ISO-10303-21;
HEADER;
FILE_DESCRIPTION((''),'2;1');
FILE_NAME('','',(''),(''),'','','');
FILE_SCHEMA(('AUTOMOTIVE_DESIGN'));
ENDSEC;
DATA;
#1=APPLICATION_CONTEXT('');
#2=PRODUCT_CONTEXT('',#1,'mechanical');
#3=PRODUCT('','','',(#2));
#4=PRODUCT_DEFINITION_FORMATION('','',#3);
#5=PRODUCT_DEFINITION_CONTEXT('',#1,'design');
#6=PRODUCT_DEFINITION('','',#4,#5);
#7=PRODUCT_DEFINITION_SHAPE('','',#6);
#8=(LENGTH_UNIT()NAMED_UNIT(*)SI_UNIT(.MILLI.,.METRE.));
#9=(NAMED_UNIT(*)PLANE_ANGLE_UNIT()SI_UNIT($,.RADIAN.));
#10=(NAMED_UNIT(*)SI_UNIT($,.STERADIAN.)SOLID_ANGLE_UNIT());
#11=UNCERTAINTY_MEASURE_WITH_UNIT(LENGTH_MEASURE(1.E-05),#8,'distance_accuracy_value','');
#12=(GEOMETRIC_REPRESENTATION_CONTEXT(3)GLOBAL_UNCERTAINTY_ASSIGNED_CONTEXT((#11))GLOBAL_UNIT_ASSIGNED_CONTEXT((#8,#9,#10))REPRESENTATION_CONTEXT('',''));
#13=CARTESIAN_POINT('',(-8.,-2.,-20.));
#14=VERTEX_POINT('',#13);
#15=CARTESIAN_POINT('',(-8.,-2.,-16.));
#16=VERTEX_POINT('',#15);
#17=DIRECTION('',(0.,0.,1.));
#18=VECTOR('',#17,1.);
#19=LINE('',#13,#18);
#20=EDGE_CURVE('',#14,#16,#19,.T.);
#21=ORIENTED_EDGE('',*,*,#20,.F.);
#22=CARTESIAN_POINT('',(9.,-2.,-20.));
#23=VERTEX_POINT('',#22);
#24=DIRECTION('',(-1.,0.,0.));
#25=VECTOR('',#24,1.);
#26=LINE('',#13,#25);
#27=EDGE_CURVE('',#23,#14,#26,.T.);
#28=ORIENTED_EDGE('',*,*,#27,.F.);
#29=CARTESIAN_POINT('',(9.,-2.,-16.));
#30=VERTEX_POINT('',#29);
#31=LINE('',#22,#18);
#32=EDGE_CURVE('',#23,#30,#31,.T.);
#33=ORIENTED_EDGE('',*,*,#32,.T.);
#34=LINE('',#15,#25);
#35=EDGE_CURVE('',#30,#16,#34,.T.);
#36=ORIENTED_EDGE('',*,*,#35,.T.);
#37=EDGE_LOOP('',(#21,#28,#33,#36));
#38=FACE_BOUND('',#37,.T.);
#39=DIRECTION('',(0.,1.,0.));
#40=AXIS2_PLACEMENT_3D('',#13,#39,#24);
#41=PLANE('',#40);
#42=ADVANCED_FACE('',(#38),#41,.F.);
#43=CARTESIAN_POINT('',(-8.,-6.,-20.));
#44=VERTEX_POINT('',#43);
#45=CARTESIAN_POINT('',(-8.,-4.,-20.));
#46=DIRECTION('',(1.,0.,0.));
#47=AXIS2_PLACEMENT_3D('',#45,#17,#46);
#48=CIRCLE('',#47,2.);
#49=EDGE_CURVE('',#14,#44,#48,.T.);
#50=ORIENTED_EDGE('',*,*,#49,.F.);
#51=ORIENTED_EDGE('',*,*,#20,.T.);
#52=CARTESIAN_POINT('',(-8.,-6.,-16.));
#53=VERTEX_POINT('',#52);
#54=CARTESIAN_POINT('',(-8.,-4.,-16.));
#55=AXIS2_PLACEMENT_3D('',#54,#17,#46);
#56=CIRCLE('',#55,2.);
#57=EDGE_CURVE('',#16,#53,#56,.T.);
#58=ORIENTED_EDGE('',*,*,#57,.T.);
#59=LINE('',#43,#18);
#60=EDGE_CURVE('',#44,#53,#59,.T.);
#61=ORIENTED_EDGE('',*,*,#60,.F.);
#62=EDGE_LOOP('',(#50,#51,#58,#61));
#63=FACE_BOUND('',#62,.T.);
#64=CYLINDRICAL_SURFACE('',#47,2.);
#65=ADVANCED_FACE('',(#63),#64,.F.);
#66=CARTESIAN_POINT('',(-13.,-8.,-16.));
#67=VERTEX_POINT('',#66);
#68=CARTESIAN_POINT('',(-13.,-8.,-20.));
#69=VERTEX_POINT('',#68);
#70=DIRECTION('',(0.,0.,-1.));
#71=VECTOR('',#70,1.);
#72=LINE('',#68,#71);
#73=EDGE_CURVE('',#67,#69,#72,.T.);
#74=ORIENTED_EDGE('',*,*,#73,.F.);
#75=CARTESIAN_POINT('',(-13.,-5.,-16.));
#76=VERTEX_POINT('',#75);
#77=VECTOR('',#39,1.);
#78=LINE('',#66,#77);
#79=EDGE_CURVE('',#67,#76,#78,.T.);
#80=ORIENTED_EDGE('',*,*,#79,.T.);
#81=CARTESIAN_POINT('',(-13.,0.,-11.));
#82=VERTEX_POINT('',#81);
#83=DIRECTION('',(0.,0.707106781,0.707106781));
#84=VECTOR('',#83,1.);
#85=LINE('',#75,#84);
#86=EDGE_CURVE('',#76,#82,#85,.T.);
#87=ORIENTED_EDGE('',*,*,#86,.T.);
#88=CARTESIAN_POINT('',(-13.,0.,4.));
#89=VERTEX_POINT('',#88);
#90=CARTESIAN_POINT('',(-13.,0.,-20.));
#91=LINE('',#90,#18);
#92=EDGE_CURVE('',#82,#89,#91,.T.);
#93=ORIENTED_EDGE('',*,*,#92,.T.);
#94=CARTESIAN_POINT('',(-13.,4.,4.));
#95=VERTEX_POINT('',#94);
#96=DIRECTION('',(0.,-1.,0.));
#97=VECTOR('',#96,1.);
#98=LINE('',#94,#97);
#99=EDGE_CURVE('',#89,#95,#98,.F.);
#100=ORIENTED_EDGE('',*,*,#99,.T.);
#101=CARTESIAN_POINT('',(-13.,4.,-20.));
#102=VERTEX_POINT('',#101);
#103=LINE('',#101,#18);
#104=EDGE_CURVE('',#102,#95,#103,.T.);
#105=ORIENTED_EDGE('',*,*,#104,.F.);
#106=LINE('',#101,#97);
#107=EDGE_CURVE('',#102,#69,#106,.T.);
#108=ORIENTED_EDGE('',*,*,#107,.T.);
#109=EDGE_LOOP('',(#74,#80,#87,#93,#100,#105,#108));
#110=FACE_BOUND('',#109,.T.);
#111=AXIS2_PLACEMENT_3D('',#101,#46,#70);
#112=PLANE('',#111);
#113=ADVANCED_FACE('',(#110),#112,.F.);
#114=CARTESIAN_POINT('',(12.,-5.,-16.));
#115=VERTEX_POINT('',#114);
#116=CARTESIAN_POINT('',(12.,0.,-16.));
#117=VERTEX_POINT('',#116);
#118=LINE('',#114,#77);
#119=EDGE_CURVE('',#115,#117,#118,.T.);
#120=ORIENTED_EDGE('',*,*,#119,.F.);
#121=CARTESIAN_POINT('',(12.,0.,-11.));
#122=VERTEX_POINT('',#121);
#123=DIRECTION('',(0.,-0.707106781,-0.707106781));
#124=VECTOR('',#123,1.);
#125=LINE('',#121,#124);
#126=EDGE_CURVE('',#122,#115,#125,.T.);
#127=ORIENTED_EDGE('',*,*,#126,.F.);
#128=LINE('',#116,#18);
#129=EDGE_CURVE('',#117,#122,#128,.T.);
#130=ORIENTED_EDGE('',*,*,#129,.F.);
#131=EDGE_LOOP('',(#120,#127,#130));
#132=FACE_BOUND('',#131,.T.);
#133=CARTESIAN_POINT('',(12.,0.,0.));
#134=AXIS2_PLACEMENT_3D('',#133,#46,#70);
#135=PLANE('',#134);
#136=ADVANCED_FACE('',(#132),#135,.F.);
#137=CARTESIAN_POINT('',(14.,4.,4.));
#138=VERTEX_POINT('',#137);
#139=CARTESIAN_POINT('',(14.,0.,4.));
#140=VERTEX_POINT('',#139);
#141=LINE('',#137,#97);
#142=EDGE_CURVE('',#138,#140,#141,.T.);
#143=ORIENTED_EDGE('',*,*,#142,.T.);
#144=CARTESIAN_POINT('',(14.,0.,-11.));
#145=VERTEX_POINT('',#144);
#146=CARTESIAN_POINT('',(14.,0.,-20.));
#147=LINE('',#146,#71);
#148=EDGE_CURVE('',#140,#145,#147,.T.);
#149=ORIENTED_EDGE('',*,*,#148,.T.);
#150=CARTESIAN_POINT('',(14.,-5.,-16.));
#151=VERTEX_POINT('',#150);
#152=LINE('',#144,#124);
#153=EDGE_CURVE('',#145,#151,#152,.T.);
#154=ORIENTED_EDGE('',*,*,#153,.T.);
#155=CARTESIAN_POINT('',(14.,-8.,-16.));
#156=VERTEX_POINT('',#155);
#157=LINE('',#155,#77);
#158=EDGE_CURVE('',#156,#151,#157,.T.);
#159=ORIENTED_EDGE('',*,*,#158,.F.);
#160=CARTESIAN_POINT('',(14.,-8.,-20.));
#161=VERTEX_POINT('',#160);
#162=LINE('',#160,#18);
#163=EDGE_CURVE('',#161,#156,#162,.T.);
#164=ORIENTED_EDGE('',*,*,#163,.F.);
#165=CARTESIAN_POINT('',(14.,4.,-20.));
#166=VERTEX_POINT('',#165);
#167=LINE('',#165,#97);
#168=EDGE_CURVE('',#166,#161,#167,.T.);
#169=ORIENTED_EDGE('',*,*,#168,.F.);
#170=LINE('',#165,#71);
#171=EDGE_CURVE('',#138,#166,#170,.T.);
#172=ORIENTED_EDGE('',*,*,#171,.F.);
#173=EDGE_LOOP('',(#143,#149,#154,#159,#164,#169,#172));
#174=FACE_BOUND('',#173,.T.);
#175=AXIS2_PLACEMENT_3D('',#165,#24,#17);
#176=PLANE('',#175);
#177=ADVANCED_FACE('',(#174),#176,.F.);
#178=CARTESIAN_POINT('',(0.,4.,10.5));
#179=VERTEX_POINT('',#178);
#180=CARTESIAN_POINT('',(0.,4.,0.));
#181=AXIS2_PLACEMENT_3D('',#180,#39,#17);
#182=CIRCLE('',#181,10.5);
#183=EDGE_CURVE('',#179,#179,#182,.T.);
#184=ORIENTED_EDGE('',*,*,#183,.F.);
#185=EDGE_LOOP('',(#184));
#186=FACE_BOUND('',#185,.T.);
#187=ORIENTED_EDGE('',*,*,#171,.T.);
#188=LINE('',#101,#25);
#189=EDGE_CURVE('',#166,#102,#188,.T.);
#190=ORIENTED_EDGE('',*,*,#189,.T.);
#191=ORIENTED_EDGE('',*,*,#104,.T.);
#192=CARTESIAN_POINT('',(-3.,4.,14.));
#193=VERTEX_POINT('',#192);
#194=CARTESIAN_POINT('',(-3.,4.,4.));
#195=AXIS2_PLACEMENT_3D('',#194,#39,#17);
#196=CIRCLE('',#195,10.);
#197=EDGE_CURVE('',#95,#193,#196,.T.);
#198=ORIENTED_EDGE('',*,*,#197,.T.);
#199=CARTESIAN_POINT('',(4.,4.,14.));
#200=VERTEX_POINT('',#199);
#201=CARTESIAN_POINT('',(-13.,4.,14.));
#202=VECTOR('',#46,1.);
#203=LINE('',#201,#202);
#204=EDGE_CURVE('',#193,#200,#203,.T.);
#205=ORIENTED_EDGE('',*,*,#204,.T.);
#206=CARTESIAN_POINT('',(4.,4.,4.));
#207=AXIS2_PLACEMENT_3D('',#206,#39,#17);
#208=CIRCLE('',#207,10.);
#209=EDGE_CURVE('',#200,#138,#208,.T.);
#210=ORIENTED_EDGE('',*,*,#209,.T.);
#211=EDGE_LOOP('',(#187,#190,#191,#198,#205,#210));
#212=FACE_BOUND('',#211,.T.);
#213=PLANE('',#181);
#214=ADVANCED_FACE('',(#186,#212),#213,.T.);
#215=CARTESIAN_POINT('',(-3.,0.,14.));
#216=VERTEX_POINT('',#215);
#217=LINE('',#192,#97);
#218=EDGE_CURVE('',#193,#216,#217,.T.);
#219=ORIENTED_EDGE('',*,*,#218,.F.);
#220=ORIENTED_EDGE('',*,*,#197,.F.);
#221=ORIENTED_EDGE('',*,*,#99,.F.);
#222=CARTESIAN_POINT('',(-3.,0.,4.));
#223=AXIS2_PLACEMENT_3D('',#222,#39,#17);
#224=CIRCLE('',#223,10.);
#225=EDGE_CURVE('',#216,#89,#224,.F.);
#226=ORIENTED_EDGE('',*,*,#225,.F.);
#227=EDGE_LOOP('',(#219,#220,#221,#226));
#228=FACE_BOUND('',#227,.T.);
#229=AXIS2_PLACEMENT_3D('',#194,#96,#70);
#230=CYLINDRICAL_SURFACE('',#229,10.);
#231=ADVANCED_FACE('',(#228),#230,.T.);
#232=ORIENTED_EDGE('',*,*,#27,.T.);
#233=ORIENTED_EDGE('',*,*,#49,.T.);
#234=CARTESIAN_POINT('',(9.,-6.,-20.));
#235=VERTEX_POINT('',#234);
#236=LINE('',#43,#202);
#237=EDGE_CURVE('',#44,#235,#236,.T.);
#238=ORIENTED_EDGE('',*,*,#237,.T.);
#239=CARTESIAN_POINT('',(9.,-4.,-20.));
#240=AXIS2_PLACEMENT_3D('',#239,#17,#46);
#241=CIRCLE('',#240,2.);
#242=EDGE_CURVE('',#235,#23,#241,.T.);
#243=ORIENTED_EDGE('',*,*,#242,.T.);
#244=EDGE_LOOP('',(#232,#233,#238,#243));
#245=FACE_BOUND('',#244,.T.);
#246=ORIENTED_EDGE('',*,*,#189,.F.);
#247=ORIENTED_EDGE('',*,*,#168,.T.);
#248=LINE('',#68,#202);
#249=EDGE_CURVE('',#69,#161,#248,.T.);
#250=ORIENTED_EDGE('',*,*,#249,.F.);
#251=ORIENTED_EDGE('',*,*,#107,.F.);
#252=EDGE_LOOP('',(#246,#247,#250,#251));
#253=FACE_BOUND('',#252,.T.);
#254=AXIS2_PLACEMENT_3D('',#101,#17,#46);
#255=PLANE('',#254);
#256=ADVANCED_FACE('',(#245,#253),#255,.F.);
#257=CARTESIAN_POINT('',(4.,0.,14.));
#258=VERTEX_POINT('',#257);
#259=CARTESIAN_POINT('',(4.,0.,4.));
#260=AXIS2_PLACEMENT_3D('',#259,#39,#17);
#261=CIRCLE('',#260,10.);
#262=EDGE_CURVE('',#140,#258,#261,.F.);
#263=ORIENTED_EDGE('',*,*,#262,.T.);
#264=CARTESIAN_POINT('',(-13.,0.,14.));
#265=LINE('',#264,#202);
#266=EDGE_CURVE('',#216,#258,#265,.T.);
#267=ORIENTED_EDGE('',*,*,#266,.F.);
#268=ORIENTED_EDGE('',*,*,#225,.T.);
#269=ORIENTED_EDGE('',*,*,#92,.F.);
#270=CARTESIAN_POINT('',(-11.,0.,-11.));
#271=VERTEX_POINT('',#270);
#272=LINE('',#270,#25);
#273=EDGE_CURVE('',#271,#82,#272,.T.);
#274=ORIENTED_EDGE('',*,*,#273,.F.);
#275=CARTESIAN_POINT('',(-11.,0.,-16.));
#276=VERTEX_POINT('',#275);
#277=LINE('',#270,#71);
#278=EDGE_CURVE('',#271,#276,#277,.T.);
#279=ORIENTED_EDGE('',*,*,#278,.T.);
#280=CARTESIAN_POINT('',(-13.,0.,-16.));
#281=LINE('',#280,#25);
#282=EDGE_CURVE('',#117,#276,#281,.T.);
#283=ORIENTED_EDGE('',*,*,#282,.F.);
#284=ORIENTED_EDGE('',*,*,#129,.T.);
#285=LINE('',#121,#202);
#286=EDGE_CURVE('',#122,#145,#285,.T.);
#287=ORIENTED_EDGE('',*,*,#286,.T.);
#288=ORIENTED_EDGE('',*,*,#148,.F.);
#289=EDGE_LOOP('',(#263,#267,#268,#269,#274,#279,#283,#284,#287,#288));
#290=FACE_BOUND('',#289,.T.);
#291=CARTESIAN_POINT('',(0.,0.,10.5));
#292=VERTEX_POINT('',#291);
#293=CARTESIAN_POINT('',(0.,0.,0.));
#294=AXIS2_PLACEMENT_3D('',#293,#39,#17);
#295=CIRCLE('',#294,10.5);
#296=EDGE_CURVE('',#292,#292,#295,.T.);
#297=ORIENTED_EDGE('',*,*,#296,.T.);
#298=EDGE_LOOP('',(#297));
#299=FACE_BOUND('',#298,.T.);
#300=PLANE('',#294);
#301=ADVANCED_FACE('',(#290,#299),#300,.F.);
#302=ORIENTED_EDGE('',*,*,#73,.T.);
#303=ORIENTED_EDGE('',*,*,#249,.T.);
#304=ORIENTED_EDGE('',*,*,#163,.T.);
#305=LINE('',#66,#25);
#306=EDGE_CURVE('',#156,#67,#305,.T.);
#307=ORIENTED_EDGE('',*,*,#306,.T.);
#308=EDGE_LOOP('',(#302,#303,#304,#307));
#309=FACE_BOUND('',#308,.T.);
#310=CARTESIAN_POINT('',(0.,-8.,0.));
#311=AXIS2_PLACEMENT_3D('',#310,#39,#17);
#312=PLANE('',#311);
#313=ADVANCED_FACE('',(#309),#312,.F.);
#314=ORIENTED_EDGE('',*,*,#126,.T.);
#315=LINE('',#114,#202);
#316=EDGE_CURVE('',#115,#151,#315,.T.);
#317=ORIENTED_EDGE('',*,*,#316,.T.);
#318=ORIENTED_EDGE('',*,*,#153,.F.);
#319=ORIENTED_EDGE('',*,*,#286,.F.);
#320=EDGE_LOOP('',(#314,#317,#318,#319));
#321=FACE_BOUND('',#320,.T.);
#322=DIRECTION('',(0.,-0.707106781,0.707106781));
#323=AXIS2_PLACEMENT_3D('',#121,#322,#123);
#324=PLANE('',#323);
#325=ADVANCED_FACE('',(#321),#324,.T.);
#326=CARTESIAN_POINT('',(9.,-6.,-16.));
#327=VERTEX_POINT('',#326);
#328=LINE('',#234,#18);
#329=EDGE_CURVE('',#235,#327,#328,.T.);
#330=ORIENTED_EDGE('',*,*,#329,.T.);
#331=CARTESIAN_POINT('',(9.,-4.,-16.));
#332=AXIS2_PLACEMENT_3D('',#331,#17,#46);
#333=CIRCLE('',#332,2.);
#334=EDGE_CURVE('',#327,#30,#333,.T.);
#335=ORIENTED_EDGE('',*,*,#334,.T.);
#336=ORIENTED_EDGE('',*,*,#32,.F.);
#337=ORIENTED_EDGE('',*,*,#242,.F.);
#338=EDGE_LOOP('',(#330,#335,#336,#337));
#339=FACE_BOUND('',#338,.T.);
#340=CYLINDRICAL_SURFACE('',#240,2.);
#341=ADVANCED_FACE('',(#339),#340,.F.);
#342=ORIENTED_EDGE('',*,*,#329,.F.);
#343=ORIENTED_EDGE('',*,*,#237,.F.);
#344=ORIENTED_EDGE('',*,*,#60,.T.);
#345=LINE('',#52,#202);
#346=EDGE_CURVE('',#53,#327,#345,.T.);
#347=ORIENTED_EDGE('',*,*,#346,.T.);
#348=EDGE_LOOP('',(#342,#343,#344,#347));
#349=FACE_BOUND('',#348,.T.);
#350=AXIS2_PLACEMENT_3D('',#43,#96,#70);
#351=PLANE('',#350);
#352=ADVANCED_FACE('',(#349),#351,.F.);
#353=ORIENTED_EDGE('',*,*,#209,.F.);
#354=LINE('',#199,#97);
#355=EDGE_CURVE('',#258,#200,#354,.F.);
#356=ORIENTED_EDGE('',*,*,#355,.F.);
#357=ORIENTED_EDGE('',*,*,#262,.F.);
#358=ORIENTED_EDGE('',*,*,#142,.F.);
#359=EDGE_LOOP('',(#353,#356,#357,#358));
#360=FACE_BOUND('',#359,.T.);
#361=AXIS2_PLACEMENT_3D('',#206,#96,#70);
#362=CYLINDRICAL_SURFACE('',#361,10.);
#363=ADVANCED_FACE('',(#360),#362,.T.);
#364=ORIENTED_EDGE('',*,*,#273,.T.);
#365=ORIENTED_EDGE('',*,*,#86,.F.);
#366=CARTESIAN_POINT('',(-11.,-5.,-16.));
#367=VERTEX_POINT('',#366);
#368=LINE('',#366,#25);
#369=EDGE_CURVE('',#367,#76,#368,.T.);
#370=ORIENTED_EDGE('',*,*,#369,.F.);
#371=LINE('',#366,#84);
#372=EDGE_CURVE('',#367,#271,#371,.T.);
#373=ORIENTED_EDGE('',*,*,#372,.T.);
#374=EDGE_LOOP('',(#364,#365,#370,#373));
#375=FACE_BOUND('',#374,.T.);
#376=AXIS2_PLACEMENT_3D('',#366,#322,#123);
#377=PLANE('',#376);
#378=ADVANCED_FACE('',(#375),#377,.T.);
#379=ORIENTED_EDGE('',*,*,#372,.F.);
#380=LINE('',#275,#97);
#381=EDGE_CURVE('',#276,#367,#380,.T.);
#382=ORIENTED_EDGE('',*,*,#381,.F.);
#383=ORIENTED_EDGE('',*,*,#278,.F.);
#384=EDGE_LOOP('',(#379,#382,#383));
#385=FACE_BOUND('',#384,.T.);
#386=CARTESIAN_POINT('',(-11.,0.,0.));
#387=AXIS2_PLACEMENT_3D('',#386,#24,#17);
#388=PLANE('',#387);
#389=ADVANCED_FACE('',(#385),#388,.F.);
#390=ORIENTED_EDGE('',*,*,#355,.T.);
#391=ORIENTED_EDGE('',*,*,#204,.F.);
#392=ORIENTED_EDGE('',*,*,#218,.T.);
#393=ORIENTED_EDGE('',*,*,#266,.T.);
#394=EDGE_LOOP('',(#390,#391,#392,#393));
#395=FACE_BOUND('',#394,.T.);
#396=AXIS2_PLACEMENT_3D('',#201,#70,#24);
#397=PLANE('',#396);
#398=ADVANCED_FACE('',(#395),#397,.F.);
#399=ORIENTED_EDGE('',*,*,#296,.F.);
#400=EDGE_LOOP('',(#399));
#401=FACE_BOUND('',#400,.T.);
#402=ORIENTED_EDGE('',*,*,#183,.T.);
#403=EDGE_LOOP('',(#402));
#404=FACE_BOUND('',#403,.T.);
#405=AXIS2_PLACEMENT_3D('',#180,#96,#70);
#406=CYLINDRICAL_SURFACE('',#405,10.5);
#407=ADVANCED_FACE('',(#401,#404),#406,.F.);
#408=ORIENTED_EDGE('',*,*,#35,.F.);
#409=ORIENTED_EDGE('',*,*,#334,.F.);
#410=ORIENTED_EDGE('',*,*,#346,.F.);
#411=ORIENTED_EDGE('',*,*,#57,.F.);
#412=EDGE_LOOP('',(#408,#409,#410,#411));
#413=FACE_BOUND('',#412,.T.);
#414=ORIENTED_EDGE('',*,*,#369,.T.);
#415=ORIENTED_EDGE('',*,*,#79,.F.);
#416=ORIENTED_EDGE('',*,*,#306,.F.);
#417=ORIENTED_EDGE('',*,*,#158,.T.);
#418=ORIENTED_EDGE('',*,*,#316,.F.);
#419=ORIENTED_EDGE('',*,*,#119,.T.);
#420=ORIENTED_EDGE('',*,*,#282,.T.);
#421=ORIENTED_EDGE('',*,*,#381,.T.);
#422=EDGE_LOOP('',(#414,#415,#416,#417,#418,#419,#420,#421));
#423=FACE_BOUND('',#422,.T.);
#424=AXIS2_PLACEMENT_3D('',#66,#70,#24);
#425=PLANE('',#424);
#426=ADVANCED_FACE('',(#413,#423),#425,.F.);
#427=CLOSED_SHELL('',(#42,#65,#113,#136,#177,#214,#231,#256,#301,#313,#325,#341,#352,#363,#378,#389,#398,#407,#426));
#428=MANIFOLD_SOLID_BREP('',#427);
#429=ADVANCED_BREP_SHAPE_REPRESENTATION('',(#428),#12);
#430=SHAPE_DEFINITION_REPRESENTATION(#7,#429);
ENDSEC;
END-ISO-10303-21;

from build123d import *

# Parameters (mm, degrees)
ESQUISSE1_W             = 27
ESQUISSE1_H             = 34
ESQUISSE1_R             = 10.5
BOSS_EXTRU_1_DEPTH      = 4
ESQUISSE2_W             = 27
ESQUISSE2_H             = 4
BOSS_EXTRU_2_DEPTH      = 8
BOSS_EXTRU_3_DEPTH      = 2
BOSS_EXTRU_4_DEPTH      = 2
CONG_1_R                = 10
ENL_V_MAT_EXTRU_1_DEPTH = 35.058772732


with BuildPart() as part:
    # Esquisse1 → Boss.-Extru.1 (new body)
    with BuildSketch(Plane(origin=(0, 0, 0), x_dir=(1, 0, 0), z_dir=(0, 1, 0))):
        with Locations((0.5, 3)):
            Rectangle(ESQUISSE1_W, ESQUISSE1_H)
        with Locations(Location((0, 0, 0), (0, 0, 270))):
            Circle(ESQUISSE1_R, mode=Mode.SUBTRACT)
    extrude(amount=BOSS_EXTRU_1_DEPTH)

    # Esquisse2 → Boss.-Extru.2 (add)
    with BuildSketch(Plane.XZ):
        with Locations((0.5, -18)):
            Rectangle(ESQUISSE2_W, ESQUISSE2_H)
    extrude(amount=BOSS_EXTRU_2_DEPTH)

    # Esquisse5 → Boss.-Extru.3 (add)
    with BuildSketch(Plane.ZY.offset(13)):
        Polygon((-16, 0), (-16, -5), (-11, 0), align=None)
    extrude(amount=-BOSS_EXTRU_3_DEPTH)

    # Esquisse6 → Boss.-Extru.4 (add)
    with BuildSketch(Plane(origin=(14, 0, 0), x_dir=(0, 0, -1), z_dir=(1, 0, 0))):
        Polygon((16, 0), (11, 0), (16, -5), align=None)
    extrude(amount=-BOSS_EXTRU_4_DEPTH)

    # Congé1
    cong_1_edges = [part.edges().sort_by_distance(p)[0] for p in [
        (-13, 2, 14),
        (14, 2, 14),
    ]]
    fillet(cong_1_edges, radius=CONG_1_R)

    # Esquisse7 → Enlèv. mat.-Extru.1 (cut, through all)
    with BuildSketch(Plane.XY.offset(-16)):
        with BuildLine():
            Line((-8, -2), (9, -2))
            ThreePointArc((9, -2), (11, -4), (9, -6))
            Line((9, -6), (-8, -6))
            ThreePointArc((-8, -6), (-10, -4), (-8, -2))
        make_face()
    extrude(amount=-ENL_V_MAT_EXTRU_1_DEPTH, mode=Mode.SUBTRACT)


solid = part.part
